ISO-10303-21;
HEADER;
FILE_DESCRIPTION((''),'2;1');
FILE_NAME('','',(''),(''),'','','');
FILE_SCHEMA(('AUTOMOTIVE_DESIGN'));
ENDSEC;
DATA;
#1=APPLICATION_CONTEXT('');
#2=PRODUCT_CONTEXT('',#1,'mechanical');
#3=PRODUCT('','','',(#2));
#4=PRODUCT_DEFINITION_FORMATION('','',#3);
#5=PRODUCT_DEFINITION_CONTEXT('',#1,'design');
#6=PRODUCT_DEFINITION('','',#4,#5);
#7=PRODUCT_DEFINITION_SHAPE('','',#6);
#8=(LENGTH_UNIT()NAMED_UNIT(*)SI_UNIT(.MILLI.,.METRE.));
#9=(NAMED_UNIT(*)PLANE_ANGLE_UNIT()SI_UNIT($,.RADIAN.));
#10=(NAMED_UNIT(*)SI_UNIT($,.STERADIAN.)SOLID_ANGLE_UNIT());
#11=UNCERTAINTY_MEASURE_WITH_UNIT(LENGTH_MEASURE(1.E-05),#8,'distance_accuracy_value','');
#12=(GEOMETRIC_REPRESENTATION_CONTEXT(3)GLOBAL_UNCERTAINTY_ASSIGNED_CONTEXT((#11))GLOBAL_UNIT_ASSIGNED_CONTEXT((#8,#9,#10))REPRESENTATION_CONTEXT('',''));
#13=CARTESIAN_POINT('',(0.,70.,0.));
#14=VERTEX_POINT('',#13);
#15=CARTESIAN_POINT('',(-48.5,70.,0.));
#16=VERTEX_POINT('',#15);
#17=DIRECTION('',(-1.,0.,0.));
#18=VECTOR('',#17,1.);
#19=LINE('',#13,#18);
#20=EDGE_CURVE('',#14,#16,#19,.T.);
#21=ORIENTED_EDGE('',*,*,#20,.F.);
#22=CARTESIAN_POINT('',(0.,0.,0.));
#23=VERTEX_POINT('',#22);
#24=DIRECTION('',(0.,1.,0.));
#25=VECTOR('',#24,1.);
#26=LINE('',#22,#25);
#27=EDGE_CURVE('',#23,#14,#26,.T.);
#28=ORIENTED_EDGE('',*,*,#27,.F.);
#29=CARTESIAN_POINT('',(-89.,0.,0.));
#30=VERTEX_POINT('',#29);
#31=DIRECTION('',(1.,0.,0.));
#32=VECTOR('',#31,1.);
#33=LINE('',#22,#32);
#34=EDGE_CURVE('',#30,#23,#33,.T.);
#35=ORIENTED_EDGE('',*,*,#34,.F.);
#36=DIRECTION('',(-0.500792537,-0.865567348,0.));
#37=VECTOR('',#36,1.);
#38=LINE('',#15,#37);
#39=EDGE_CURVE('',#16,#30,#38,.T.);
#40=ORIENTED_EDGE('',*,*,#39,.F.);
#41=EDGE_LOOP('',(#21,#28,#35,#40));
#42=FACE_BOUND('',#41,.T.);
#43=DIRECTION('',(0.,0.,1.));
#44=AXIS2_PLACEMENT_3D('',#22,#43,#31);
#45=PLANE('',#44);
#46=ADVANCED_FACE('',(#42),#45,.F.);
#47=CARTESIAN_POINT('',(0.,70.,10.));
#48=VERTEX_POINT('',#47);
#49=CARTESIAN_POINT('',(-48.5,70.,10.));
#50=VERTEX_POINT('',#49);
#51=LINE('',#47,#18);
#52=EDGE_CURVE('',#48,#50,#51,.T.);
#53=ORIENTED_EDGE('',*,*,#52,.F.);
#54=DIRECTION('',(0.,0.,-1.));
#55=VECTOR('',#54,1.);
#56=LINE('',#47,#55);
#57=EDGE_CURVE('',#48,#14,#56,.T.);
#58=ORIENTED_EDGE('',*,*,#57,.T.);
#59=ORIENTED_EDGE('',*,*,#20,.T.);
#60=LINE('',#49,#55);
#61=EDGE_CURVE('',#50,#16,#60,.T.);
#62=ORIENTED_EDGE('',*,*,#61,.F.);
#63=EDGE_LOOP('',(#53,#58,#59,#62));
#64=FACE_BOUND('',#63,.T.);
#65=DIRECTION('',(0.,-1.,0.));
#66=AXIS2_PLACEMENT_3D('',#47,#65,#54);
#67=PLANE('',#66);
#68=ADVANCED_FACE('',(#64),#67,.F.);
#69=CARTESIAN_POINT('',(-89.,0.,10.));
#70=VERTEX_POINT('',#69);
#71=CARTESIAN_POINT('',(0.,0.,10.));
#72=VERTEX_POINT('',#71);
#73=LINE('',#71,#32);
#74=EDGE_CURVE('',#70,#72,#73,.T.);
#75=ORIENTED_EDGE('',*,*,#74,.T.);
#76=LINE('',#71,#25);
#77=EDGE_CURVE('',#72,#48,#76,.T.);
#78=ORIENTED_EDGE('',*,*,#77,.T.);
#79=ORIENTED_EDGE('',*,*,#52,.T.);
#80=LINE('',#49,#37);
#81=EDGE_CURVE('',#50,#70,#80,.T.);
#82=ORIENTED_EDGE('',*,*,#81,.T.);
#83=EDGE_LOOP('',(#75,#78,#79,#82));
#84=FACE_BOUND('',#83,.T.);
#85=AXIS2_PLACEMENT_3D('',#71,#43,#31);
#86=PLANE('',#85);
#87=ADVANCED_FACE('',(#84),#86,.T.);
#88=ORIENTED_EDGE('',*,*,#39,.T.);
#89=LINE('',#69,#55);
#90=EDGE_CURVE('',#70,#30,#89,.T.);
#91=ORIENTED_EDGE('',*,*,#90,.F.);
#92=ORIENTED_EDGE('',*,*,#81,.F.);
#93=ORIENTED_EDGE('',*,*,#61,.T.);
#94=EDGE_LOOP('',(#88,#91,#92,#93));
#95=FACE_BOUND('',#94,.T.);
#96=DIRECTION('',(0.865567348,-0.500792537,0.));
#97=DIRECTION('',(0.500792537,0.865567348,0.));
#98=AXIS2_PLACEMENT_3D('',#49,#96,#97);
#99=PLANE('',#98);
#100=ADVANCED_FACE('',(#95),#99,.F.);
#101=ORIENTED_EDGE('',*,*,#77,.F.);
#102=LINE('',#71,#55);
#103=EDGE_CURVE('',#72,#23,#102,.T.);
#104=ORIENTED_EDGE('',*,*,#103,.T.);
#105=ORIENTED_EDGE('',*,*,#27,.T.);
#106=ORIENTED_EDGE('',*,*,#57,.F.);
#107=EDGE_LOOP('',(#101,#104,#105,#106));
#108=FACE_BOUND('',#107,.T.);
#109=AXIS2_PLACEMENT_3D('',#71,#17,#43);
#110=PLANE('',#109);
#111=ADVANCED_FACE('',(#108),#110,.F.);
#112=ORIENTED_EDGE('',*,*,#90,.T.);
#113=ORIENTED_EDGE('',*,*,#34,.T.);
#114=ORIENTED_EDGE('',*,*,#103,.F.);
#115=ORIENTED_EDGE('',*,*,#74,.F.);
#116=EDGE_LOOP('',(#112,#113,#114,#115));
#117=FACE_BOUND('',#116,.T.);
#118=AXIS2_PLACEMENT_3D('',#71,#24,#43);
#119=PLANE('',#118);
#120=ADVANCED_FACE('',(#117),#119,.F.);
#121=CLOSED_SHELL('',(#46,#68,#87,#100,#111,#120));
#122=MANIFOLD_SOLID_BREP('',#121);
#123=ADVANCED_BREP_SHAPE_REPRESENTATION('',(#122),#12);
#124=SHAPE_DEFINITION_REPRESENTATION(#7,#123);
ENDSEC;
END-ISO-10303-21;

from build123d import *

# Parameters (mm, degrees)
EXTRUDE_1_DEPTH = 10


with BuildPart() as part:
    # Эскиз1 → Бобышка-Вытянуть1 (new body)
    with BuildSketch(Plane.XY):
        Polygon((-48.5, 70), (-89, 0), (0, 0), (0, 70), align=None)
    extrude(amount=EXTRUDE_1_DEPTH)


solid = part.part
